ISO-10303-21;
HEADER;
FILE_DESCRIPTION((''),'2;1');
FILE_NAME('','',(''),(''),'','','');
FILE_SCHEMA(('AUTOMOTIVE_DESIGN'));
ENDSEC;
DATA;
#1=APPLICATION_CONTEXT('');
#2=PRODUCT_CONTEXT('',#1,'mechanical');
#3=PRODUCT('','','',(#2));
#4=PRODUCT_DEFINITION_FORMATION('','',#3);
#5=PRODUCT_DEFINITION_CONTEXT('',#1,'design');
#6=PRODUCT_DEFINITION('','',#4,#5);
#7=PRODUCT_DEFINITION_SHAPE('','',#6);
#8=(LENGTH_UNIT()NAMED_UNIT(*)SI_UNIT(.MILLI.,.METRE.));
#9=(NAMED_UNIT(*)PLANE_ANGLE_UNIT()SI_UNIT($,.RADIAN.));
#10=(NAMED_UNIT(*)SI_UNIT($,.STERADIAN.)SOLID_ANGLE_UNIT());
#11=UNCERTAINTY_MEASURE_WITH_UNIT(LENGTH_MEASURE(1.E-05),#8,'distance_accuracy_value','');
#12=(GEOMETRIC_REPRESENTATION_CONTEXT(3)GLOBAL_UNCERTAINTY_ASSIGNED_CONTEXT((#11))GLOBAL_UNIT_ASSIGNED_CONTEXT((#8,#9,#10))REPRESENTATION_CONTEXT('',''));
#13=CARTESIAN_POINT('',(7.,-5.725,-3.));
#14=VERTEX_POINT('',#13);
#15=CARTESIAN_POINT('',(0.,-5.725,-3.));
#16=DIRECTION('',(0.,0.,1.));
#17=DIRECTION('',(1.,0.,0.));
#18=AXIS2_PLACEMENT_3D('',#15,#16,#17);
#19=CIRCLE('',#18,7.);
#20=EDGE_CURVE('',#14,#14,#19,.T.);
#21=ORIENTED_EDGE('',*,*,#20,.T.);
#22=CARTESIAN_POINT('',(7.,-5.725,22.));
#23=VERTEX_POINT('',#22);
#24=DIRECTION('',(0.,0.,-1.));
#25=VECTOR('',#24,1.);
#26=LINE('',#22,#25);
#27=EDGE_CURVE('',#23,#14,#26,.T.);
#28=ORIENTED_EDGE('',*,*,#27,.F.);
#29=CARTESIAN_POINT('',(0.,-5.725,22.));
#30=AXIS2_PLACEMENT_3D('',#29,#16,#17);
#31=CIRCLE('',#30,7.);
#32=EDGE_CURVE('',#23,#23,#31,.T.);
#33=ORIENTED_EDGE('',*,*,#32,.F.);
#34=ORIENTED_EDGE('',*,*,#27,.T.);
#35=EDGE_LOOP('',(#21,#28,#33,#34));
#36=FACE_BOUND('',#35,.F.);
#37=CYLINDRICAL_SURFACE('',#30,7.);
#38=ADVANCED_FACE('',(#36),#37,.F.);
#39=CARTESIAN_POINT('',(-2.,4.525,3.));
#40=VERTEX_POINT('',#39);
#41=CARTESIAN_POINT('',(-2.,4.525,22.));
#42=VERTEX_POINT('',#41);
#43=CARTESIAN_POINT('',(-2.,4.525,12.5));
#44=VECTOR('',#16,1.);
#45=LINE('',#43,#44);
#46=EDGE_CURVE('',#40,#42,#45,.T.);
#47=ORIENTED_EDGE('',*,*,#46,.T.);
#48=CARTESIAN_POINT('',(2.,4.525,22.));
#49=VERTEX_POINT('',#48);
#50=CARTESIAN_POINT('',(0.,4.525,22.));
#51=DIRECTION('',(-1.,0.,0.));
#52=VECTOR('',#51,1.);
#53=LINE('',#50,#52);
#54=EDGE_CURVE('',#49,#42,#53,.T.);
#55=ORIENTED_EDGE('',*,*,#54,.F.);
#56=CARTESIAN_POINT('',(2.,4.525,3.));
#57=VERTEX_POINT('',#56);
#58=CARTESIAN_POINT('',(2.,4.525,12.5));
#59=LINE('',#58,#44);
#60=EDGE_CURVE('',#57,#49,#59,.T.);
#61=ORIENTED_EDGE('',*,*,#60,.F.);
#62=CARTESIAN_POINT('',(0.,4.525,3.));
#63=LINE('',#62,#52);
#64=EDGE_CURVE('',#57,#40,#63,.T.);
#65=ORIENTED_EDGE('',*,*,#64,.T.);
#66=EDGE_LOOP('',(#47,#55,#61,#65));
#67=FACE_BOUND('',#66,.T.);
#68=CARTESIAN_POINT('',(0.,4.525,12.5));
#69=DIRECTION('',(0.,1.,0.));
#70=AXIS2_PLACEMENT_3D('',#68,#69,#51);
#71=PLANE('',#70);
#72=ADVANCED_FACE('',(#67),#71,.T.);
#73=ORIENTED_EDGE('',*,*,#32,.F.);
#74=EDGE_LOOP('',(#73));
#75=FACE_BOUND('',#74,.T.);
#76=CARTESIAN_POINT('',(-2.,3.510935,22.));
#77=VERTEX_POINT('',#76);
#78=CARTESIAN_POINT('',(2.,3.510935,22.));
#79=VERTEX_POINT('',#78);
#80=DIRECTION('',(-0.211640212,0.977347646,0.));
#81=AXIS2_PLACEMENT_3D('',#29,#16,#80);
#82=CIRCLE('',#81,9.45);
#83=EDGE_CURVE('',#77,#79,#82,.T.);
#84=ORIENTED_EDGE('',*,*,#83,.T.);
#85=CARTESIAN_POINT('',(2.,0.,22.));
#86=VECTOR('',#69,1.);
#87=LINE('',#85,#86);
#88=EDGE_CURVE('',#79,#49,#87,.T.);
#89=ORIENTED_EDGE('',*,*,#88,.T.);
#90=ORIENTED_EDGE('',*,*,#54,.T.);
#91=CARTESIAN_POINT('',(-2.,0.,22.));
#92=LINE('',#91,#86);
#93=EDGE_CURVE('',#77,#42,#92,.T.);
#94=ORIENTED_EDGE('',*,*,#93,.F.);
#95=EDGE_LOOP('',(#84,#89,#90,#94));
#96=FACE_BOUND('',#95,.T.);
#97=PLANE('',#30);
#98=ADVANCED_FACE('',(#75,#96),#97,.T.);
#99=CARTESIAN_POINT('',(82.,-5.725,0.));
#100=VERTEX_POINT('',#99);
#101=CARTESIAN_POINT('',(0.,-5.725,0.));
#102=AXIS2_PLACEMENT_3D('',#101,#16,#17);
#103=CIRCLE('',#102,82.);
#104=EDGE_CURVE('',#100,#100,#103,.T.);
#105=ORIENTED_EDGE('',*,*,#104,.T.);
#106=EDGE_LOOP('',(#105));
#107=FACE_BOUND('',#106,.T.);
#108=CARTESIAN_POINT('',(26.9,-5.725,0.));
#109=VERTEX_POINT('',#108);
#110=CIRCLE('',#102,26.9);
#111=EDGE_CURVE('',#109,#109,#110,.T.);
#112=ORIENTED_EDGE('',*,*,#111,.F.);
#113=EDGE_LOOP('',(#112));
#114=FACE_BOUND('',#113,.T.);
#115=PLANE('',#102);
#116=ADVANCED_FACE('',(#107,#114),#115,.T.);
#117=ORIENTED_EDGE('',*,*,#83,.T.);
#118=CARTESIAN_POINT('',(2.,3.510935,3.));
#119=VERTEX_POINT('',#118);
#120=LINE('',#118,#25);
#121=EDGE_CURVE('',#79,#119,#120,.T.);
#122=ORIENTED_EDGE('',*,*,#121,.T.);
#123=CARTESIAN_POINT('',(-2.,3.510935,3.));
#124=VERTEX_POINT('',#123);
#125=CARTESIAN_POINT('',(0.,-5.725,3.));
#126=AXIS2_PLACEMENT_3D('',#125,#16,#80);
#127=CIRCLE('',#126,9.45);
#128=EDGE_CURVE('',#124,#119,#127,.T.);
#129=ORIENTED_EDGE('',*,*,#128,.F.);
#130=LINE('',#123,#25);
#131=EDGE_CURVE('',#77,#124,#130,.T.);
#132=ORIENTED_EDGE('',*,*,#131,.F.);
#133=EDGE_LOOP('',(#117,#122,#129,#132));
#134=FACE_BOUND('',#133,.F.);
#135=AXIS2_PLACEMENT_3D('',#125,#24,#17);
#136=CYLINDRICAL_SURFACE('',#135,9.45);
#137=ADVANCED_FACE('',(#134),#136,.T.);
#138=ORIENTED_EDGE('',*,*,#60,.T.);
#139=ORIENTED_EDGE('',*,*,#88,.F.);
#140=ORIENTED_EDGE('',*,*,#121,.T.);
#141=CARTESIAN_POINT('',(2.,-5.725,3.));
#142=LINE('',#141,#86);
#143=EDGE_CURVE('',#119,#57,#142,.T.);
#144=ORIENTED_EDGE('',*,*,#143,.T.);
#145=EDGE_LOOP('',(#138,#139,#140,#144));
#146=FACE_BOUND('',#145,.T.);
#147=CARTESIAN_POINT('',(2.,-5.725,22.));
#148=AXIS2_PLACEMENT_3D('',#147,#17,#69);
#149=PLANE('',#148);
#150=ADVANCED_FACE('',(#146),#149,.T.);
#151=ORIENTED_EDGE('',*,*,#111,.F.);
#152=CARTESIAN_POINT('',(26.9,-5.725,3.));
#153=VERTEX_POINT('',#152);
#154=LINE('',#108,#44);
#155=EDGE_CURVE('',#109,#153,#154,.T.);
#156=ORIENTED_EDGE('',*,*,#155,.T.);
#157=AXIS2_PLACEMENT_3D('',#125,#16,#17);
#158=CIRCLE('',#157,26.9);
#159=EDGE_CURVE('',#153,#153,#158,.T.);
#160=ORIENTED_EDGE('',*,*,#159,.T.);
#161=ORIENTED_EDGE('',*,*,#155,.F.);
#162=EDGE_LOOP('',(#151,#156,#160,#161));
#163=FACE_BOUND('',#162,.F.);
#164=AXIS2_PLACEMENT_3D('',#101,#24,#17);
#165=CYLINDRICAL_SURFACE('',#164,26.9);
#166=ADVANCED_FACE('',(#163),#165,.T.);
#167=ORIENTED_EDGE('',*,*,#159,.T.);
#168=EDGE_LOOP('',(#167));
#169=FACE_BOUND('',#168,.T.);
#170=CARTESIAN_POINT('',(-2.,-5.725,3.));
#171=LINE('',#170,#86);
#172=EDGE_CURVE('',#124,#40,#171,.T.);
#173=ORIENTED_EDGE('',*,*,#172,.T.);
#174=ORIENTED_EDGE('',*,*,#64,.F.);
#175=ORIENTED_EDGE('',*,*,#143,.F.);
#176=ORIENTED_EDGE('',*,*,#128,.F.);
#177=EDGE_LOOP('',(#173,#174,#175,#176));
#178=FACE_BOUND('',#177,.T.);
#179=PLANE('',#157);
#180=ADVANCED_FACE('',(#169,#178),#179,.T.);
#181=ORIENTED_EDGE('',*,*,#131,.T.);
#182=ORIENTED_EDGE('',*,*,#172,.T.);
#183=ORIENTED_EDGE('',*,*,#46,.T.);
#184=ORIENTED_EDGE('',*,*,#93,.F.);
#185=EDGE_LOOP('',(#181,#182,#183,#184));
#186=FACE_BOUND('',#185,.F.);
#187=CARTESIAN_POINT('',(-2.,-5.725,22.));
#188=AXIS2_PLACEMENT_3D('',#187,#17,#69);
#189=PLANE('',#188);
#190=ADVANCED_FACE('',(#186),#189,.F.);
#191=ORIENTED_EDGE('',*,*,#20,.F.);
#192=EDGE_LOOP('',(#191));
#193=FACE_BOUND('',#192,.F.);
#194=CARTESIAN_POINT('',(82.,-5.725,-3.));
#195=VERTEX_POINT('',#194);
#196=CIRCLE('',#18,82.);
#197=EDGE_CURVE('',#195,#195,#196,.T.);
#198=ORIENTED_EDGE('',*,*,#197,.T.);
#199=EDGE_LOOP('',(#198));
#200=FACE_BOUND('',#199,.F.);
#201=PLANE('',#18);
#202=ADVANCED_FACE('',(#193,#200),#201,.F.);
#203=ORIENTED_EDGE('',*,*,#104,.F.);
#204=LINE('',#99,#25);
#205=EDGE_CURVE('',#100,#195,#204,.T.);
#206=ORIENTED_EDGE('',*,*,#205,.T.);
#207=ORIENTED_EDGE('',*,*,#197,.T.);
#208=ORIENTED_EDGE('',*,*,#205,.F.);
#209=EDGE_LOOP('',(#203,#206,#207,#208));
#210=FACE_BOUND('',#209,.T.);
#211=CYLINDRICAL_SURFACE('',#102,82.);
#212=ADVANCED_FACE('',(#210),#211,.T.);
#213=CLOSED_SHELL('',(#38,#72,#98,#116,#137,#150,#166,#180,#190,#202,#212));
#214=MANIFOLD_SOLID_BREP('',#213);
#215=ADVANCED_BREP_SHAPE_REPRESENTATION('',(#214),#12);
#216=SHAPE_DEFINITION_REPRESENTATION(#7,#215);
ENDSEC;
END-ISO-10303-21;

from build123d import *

# Parameters (mm, degrees)
F0_R      = 82
F1_DEPTH  = 3
F2_R      = 26.9
F3_DEPTH  = 3
F4_R      = 9.45
F5_DEPTH  = 19
F6_W      = 4
F6_H      = 11.45
F7_DEPTH  = 19
F9_DEPTH  = 20
F9_FACE_W = 4
F9_FACE_H = 19
F10_DEPTH = 1.2
F11_R     = 7
F12_DEPTH = 25


with BuildPart() as f1:
    # F0 (on Top) → F1 (new body)
    with BuildSketch(Plane.XY):
        Circle(F0_R)
    extrude(amount=-F1_DEPTH)

    # F2 (on face) → F3 (join)
    with BuildSketch(Plane.XY):
        Circle(F2_R)
    extrude(amount=F3_DEPTH)

    # F4 (on face) → F5 (join)
    with BuildSketch(Plane.XY.offset(3)):
        Circle(F4_R)
    extrude(amount=F5_DEPTH)

    # F6 (on face) → F7 (join)
    with BuildSketch(Plane.XY.offset(22)):
        Rectangle(F6_W, F6_H)
    extrude(amount=-F7_DEPTH)


with BuildPart() as f1_1:
    # F8: moved
    add(f1.part.moved(Location((0, -5.725, 0))))

    # F6 (on face) → F9 (join)
    with BuildSketch(Plane.XY.offset(22)):
        Rectangle(F6_W, F6_H)
    extrude(amount=-F9_DEPTH)

    # F9_face (on face) → F10 (cut)
    with BuildSketch(Plane(origin=(0, 5.725, 12.5), x_dir=(-1, 0, 0), z_dir=(0, 1, 0))):
        Rectangle(F9_FACE_W, F9_FACE_H)
    extrude(amount=-F10_DEPTH, mode=Mode.SUBTRACT)

    # F11 (on face) → F12 (cut)
    with BuildSketch(Plane.XY.offset(22)):
        with Locations((0, -5.725)):
            Circle(F11_R)
    extrude(amount=-F12_DEPTH, mode=Mode.SUBTRACT)


solid = f1_1.part
